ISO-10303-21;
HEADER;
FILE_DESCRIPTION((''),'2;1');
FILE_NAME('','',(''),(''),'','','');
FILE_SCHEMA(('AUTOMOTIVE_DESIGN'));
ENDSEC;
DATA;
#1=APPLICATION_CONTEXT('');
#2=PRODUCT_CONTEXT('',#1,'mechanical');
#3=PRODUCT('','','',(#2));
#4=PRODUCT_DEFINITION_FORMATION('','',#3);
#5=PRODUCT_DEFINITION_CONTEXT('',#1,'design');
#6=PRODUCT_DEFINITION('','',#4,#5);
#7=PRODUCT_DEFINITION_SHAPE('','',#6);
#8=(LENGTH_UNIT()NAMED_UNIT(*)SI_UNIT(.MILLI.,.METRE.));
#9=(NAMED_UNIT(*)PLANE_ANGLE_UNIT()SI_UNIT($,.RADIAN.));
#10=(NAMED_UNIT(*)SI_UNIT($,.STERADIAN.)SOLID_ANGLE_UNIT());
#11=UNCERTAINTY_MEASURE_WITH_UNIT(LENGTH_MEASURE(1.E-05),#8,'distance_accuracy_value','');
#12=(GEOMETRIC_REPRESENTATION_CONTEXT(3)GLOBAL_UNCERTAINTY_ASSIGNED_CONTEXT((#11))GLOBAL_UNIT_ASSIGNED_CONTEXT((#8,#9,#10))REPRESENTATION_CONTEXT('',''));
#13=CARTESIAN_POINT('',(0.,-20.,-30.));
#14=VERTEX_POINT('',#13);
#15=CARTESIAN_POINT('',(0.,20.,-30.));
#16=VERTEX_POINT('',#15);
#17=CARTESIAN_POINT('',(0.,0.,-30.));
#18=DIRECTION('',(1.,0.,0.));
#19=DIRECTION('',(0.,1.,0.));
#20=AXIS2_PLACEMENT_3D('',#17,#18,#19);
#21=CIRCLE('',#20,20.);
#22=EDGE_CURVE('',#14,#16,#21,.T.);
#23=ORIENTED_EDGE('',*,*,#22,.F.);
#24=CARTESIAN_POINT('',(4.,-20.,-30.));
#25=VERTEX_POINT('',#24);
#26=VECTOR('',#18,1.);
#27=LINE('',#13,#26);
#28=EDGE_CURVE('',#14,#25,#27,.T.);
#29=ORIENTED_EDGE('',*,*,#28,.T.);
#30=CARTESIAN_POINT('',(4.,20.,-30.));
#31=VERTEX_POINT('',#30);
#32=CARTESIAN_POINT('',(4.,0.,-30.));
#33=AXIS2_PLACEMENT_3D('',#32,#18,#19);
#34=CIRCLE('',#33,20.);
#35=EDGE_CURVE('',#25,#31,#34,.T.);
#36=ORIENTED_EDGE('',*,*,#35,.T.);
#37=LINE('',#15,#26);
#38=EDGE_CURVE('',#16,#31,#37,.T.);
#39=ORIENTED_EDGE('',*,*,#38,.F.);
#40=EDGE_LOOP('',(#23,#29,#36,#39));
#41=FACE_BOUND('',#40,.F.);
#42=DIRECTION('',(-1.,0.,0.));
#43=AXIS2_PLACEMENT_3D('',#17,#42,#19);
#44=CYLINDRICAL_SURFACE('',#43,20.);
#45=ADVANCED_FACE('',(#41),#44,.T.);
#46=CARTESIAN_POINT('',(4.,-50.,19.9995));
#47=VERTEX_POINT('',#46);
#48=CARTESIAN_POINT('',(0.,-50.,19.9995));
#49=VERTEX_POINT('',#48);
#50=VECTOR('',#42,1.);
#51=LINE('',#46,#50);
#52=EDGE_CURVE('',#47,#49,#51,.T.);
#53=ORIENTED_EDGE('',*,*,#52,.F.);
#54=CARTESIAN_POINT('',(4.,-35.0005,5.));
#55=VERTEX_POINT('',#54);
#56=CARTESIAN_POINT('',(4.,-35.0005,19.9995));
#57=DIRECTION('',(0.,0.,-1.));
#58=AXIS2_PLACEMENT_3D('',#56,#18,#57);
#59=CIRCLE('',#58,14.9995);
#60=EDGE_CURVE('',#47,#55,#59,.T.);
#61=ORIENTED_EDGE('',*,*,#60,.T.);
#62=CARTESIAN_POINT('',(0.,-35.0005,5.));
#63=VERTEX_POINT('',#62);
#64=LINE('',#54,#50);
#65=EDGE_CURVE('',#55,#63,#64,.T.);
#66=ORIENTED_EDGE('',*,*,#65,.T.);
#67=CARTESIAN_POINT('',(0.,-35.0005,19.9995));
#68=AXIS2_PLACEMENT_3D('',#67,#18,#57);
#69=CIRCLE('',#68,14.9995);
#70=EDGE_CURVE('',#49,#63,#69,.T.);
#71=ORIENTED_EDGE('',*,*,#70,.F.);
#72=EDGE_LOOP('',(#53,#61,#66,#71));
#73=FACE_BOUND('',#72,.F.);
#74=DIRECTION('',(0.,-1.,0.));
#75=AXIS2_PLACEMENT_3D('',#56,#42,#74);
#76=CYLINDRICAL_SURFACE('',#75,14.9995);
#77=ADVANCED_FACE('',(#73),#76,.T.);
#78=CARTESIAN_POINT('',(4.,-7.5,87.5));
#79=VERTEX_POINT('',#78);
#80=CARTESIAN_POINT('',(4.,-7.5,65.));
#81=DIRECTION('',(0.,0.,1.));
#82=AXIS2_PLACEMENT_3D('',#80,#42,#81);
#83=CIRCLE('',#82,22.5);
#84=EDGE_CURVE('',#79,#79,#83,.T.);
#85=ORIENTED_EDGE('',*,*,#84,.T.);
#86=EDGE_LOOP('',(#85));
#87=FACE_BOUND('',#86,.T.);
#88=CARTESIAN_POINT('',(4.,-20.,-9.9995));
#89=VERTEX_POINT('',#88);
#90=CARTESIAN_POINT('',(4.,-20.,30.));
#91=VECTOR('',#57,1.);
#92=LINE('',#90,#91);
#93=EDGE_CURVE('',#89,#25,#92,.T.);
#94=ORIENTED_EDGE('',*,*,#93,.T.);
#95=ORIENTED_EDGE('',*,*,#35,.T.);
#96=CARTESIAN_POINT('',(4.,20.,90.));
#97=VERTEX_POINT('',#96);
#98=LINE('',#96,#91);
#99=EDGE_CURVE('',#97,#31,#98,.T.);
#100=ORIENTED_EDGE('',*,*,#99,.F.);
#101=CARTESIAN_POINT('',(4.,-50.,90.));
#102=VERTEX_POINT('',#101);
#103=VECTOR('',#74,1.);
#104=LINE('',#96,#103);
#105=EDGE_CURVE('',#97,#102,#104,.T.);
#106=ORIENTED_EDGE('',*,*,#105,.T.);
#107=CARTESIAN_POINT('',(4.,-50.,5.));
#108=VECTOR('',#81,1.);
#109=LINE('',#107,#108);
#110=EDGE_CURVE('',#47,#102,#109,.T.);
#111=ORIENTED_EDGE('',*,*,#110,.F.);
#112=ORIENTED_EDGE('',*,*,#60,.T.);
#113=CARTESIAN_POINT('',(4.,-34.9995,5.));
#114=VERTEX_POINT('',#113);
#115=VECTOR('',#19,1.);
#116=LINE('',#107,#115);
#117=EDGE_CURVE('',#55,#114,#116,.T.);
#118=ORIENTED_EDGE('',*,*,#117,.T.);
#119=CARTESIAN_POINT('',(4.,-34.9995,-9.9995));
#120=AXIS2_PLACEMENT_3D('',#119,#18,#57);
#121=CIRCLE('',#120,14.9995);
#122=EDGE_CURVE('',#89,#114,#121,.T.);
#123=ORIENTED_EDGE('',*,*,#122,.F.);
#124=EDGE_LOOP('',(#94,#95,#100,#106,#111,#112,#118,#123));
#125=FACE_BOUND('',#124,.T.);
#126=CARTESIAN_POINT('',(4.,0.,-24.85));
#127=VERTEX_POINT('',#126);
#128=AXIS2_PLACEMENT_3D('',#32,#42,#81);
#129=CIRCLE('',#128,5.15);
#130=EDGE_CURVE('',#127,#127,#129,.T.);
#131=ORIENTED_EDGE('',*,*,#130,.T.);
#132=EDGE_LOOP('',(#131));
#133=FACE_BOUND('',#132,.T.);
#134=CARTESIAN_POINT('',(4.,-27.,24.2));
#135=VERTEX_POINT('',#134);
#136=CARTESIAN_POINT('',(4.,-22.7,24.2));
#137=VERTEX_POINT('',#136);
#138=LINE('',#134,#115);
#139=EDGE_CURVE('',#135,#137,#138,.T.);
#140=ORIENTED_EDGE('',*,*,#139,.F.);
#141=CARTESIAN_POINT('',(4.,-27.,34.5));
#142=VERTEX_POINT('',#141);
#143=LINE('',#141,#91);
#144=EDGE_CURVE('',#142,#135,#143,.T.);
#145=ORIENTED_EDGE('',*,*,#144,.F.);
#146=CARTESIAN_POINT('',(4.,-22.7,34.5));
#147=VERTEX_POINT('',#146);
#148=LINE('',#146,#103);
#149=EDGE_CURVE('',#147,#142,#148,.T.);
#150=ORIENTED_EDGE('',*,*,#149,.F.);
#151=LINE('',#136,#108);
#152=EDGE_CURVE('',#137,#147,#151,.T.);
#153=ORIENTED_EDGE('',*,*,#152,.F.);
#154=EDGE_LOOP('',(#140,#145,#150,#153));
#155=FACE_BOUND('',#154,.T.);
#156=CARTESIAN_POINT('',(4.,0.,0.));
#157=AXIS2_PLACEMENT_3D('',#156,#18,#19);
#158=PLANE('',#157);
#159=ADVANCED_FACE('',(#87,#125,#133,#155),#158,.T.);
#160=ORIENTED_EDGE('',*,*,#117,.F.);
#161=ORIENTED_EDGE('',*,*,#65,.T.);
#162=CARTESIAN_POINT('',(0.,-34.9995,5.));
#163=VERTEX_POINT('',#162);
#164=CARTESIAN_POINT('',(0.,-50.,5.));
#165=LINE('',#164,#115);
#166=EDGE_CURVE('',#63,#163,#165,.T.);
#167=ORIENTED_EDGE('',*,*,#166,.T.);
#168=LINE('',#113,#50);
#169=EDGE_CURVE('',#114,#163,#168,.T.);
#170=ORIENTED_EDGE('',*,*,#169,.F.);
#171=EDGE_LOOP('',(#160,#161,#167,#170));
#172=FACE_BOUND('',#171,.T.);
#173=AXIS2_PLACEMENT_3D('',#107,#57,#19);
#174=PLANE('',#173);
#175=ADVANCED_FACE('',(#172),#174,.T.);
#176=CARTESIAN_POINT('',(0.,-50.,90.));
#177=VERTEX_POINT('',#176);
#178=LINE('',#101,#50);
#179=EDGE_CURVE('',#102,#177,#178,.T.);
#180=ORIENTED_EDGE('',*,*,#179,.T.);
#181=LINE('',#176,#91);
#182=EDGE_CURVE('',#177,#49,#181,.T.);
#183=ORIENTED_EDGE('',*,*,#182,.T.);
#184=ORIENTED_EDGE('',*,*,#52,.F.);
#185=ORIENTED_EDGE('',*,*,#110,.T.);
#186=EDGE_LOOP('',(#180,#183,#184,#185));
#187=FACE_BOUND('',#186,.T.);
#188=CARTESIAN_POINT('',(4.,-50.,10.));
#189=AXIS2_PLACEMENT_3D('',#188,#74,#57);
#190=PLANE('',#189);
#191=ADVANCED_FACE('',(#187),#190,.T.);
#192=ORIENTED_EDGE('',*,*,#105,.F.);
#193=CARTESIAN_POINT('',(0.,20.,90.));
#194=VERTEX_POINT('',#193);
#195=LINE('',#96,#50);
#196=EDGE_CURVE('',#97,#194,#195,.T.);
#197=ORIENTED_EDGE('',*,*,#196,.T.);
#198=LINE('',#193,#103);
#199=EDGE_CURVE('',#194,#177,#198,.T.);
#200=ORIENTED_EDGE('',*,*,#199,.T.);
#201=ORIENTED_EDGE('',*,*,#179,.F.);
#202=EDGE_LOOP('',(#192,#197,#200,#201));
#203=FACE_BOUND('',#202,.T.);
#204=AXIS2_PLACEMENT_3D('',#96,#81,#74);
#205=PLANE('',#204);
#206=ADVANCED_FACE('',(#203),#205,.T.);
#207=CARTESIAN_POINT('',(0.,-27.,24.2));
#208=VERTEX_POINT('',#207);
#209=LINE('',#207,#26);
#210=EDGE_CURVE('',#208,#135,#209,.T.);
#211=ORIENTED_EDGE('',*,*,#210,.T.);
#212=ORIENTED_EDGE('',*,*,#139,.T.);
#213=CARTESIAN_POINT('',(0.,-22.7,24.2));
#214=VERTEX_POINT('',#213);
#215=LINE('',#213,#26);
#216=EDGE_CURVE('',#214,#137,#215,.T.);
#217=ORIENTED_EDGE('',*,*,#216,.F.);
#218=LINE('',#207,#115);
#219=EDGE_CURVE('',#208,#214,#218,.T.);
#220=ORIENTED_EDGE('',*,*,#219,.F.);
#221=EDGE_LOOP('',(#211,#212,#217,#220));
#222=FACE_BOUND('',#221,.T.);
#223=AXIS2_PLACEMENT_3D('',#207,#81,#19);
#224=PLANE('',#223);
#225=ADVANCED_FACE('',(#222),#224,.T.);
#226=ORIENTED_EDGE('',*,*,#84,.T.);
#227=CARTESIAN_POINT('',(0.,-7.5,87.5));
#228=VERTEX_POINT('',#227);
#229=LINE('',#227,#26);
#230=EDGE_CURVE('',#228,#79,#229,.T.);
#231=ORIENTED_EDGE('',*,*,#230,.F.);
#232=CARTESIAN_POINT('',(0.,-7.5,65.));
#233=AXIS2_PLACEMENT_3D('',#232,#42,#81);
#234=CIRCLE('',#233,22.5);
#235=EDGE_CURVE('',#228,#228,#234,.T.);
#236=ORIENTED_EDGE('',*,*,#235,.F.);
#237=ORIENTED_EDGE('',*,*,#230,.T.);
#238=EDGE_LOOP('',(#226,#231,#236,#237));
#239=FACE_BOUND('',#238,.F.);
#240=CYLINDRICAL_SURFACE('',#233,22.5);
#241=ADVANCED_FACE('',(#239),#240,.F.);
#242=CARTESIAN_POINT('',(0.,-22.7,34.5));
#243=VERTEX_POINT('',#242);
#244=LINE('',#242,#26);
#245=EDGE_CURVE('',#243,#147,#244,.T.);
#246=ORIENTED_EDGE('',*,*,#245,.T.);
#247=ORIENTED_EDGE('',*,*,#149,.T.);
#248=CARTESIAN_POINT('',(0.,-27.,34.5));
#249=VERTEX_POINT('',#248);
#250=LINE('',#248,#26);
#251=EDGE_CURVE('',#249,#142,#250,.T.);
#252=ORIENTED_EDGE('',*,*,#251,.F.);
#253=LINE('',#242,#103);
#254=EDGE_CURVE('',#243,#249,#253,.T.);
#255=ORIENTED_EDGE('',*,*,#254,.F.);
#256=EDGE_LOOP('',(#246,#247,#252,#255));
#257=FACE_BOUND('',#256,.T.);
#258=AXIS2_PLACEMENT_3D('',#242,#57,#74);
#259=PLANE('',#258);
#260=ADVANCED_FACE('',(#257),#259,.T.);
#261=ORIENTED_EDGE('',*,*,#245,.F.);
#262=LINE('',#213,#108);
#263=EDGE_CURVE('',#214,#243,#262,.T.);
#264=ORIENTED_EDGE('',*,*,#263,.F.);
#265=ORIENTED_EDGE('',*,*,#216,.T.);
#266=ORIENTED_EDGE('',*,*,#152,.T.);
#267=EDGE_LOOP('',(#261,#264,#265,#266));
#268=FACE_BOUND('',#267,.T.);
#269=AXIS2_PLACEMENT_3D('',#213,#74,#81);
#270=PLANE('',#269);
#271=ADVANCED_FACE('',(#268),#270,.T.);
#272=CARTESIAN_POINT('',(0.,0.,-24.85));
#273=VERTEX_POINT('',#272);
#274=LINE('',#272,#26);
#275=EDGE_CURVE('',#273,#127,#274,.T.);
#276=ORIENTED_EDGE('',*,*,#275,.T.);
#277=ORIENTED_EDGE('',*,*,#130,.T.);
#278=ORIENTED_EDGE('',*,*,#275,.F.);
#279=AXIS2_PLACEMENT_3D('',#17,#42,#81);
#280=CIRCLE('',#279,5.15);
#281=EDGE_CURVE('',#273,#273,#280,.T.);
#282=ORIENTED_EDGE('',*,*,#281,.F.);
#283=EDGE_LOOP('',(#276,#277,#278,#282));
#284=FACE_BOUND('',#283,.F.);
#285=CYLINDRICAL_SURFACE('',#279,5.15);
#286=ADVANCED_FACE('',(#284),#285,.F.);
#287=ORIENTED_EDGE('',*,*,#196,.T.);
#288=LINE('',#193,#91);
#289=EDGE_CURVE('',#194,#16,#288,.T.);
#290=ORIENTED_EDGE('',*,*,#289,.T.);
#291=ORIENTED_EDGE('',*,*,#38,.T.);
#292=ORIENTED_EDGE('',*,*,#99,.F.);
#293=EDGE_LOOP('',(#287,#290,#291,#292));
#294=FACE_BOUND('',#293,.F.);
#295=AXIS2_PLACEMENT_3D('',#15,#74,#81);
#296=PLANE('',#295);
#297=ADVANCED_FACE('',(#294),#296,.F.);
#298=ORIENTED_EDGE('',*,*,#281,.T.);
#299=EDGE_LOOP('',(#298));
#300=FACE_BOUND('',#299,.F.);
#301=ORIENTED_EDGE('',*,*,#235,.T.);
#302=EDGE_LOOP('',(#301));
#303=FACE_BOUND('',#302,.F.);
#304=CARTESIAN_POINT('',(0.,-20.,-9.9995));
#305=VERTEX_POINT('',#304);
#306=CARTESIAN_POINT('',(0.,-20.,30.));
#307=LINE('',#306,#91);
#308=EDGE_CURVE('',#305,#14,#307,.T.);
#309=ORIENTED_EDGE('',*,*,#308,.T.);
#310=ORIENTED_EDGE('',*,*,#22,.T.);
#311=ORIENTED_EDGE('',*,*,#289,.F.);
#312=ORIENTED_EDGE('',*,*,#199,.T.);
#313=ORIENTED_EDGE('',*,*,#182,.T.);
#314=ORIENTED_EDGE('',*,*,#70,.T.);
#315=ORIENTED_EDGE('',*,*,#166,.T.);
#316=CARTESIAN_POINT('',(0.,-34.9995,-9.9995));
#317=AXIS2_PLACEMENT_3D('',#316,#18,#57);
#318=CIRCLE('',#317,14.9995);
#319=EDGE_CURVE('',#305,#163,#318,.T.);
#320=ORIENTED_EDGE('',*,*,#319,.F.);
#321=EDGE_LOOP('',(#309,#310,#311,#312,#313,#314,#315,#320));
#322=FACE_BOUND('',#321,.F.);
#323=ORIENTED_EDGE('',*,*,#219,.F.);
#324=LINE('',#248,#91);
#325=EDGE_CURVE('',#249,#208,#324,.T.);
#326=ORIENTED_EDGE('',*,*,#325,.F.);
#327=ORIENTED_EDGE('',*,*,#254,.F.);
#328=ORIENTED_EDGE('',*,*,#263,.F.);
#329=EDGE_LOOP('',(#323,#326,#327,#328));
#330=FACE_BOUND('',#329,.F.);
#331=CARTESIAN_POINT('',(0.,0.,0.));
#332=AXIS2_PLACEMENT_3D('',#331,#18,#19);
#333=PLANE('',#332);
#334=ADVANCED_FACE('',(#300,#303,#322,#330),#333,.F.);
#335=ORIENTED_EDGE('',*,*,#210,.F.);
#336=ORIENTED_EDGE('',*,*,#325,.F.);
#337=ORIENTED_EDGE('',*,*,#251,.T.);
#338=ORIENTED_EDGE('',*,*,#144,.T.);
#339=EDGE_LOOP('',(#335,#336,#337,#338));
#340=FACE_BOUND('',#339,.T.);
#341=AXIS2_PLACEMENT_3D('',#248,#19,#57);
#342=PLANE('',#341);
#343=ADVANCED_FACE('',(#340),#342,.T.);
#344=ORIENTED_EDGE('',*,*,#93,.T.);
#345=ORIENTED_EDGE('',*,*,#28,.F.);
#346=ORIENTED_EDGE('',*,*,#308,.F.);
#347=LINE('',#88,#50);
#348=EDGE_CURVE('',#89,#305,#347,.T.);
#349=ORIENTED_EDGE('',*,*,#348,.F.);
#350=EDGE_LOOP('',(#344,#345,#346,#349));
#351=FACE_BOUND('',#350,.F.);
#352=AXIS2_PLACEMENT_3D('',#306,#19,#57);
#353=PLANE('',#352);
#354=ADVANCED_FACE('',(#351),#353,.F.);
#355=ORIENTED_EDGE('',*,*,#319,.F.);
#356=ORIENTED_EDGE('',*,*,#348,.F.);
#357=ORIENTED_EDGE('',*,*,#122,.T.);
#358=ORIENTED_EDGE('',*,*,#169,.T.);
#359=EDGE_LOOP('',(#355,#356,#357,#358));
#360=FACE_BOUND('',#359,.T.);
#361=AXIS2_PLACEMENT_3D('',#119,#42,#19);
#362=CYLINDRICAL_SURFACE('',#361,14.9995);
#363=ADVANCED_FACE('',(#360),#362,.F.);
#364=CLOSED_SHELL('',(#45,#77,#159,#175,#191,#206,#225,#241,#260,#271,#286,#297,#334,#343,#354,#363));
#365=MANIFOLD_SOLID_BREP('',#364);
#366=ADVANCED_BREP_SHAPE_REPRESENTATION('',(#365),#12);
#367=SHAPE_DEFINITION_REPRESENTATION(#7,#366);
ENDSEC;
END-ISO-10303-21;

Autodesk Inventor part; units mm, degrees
ref_plane "YZ Plane" through (0, 0, 0) normal (1, 0, 0) x (0, 1, 0)
ref_plane "XZ Plane" through (0, 0, 0) normal (0, 1, 0) x (-1, 0, 0)
ref_plane "XY Plane" through (0, 0, 0) normal (0, 0, 1) x (1, 0, 0)
sketch "Sketch1" plane through (0, 0, 0) normal (1, 0, 0) x (0, 1, 0)
  line L0 (-20, -30) -> (20, -30)
  line L1 (20, -30) -> (20, 30)
  line L2 (20, 30) -> (-20, 30)
  line L3 (-20, 30) -> (-20, -30)
  line L4 (-20, -30) -> (20, 30) construction
  line L5 (20, -30) -> (-20, 30) construction
  circle A0 centre (0, -30) radius 20
  point P0 (0, 0)
  dimension "d0" = 40
  dimension "d1" = 60
extrude "Extrusion1" add sketch "Sketch1" along normal blind 4
sketch "Sketch4" plane through (4, 0, 0) normal (1, 0, 0) x (0, 0, -1)
  line L0 (-5, 20) -> (-90, 20)
  line L1 (-90, 20) -> (-90, -50)
  line L2 (-90, -50) -> (-5, -50)
  line L3 (-5, -50) -> (-5, 20)
  line L4 (0, -64) -> (0, 34) projected
  line L5 (-10, -77.5279) -> (-10, 43.8166)
  dimension "d40" = 85
  dimension "d41" = 70
  dimension "d54" = 10
  dimension "d55" = 5
extrude "Extrusion4" add sketch "Sketch4" against normal blind 4
sketch "Sketch5" plane through (0, 0, 0) normal (-1, 0, 0) x (0, 0, 1)
  line L0 (34.5, -27) -> (24.2, -27)
  line L1 (24.2, -27) -> (24.2, -22.7)
  line L2 (24.2, -22.7) -> (34.5, -22.7)
  line L3 (34.5, -22.7) -> (34.5, -27)
  line L4 (90, -50) -> (90, -6.689)
  line L5 (90, -50) -> (90, 20) projected
  line L6 (90, -50) -> (10.2215, -50)
  line L7 (5, -50) -> (90, -50) projected
  dimension "d20" = 10.3
  dimension "d21" = 4.3
extrude "Extrusion5" cut sketch "Sketch5" against normal blind 4
sketch "Sketch2" plane through (0, 0, 0) normal (-1, 0, 0) x (0, 0, 1)
  arc A0 (-30, 20) -> (-30, -20) centre (-30, 0) ccw projected
  circle A1 centre (-30, 0) radius 5.15
  point P0 (0, 0)
  dimension "d4" = 10.3
extrude "Extrusion2" cut sketch "Sketch2" against normal blind 4
sketch "Sketch7" plane through (0, 0, 0) normal (-1, 0, 0) x (0, 0, 1)
  circle A0 centre (65, -7.5) radius 22.5
  line L0 (90, -50) -> (90, 20) projected
  line L1 (-30, 20) -> (90, 20) projected
  point P0 (0, 0)
  dimension "d47" = 45
  dimension "d48" = 25
  dimension "d53" = 27.5
extrude "Extrusion7" cut sketch "Sketch7" against normal blind 4
fillet "Fillet3" radius 15 2 edges at (2, -20, 5) (2, -50, 5)
properties part number "houder"
